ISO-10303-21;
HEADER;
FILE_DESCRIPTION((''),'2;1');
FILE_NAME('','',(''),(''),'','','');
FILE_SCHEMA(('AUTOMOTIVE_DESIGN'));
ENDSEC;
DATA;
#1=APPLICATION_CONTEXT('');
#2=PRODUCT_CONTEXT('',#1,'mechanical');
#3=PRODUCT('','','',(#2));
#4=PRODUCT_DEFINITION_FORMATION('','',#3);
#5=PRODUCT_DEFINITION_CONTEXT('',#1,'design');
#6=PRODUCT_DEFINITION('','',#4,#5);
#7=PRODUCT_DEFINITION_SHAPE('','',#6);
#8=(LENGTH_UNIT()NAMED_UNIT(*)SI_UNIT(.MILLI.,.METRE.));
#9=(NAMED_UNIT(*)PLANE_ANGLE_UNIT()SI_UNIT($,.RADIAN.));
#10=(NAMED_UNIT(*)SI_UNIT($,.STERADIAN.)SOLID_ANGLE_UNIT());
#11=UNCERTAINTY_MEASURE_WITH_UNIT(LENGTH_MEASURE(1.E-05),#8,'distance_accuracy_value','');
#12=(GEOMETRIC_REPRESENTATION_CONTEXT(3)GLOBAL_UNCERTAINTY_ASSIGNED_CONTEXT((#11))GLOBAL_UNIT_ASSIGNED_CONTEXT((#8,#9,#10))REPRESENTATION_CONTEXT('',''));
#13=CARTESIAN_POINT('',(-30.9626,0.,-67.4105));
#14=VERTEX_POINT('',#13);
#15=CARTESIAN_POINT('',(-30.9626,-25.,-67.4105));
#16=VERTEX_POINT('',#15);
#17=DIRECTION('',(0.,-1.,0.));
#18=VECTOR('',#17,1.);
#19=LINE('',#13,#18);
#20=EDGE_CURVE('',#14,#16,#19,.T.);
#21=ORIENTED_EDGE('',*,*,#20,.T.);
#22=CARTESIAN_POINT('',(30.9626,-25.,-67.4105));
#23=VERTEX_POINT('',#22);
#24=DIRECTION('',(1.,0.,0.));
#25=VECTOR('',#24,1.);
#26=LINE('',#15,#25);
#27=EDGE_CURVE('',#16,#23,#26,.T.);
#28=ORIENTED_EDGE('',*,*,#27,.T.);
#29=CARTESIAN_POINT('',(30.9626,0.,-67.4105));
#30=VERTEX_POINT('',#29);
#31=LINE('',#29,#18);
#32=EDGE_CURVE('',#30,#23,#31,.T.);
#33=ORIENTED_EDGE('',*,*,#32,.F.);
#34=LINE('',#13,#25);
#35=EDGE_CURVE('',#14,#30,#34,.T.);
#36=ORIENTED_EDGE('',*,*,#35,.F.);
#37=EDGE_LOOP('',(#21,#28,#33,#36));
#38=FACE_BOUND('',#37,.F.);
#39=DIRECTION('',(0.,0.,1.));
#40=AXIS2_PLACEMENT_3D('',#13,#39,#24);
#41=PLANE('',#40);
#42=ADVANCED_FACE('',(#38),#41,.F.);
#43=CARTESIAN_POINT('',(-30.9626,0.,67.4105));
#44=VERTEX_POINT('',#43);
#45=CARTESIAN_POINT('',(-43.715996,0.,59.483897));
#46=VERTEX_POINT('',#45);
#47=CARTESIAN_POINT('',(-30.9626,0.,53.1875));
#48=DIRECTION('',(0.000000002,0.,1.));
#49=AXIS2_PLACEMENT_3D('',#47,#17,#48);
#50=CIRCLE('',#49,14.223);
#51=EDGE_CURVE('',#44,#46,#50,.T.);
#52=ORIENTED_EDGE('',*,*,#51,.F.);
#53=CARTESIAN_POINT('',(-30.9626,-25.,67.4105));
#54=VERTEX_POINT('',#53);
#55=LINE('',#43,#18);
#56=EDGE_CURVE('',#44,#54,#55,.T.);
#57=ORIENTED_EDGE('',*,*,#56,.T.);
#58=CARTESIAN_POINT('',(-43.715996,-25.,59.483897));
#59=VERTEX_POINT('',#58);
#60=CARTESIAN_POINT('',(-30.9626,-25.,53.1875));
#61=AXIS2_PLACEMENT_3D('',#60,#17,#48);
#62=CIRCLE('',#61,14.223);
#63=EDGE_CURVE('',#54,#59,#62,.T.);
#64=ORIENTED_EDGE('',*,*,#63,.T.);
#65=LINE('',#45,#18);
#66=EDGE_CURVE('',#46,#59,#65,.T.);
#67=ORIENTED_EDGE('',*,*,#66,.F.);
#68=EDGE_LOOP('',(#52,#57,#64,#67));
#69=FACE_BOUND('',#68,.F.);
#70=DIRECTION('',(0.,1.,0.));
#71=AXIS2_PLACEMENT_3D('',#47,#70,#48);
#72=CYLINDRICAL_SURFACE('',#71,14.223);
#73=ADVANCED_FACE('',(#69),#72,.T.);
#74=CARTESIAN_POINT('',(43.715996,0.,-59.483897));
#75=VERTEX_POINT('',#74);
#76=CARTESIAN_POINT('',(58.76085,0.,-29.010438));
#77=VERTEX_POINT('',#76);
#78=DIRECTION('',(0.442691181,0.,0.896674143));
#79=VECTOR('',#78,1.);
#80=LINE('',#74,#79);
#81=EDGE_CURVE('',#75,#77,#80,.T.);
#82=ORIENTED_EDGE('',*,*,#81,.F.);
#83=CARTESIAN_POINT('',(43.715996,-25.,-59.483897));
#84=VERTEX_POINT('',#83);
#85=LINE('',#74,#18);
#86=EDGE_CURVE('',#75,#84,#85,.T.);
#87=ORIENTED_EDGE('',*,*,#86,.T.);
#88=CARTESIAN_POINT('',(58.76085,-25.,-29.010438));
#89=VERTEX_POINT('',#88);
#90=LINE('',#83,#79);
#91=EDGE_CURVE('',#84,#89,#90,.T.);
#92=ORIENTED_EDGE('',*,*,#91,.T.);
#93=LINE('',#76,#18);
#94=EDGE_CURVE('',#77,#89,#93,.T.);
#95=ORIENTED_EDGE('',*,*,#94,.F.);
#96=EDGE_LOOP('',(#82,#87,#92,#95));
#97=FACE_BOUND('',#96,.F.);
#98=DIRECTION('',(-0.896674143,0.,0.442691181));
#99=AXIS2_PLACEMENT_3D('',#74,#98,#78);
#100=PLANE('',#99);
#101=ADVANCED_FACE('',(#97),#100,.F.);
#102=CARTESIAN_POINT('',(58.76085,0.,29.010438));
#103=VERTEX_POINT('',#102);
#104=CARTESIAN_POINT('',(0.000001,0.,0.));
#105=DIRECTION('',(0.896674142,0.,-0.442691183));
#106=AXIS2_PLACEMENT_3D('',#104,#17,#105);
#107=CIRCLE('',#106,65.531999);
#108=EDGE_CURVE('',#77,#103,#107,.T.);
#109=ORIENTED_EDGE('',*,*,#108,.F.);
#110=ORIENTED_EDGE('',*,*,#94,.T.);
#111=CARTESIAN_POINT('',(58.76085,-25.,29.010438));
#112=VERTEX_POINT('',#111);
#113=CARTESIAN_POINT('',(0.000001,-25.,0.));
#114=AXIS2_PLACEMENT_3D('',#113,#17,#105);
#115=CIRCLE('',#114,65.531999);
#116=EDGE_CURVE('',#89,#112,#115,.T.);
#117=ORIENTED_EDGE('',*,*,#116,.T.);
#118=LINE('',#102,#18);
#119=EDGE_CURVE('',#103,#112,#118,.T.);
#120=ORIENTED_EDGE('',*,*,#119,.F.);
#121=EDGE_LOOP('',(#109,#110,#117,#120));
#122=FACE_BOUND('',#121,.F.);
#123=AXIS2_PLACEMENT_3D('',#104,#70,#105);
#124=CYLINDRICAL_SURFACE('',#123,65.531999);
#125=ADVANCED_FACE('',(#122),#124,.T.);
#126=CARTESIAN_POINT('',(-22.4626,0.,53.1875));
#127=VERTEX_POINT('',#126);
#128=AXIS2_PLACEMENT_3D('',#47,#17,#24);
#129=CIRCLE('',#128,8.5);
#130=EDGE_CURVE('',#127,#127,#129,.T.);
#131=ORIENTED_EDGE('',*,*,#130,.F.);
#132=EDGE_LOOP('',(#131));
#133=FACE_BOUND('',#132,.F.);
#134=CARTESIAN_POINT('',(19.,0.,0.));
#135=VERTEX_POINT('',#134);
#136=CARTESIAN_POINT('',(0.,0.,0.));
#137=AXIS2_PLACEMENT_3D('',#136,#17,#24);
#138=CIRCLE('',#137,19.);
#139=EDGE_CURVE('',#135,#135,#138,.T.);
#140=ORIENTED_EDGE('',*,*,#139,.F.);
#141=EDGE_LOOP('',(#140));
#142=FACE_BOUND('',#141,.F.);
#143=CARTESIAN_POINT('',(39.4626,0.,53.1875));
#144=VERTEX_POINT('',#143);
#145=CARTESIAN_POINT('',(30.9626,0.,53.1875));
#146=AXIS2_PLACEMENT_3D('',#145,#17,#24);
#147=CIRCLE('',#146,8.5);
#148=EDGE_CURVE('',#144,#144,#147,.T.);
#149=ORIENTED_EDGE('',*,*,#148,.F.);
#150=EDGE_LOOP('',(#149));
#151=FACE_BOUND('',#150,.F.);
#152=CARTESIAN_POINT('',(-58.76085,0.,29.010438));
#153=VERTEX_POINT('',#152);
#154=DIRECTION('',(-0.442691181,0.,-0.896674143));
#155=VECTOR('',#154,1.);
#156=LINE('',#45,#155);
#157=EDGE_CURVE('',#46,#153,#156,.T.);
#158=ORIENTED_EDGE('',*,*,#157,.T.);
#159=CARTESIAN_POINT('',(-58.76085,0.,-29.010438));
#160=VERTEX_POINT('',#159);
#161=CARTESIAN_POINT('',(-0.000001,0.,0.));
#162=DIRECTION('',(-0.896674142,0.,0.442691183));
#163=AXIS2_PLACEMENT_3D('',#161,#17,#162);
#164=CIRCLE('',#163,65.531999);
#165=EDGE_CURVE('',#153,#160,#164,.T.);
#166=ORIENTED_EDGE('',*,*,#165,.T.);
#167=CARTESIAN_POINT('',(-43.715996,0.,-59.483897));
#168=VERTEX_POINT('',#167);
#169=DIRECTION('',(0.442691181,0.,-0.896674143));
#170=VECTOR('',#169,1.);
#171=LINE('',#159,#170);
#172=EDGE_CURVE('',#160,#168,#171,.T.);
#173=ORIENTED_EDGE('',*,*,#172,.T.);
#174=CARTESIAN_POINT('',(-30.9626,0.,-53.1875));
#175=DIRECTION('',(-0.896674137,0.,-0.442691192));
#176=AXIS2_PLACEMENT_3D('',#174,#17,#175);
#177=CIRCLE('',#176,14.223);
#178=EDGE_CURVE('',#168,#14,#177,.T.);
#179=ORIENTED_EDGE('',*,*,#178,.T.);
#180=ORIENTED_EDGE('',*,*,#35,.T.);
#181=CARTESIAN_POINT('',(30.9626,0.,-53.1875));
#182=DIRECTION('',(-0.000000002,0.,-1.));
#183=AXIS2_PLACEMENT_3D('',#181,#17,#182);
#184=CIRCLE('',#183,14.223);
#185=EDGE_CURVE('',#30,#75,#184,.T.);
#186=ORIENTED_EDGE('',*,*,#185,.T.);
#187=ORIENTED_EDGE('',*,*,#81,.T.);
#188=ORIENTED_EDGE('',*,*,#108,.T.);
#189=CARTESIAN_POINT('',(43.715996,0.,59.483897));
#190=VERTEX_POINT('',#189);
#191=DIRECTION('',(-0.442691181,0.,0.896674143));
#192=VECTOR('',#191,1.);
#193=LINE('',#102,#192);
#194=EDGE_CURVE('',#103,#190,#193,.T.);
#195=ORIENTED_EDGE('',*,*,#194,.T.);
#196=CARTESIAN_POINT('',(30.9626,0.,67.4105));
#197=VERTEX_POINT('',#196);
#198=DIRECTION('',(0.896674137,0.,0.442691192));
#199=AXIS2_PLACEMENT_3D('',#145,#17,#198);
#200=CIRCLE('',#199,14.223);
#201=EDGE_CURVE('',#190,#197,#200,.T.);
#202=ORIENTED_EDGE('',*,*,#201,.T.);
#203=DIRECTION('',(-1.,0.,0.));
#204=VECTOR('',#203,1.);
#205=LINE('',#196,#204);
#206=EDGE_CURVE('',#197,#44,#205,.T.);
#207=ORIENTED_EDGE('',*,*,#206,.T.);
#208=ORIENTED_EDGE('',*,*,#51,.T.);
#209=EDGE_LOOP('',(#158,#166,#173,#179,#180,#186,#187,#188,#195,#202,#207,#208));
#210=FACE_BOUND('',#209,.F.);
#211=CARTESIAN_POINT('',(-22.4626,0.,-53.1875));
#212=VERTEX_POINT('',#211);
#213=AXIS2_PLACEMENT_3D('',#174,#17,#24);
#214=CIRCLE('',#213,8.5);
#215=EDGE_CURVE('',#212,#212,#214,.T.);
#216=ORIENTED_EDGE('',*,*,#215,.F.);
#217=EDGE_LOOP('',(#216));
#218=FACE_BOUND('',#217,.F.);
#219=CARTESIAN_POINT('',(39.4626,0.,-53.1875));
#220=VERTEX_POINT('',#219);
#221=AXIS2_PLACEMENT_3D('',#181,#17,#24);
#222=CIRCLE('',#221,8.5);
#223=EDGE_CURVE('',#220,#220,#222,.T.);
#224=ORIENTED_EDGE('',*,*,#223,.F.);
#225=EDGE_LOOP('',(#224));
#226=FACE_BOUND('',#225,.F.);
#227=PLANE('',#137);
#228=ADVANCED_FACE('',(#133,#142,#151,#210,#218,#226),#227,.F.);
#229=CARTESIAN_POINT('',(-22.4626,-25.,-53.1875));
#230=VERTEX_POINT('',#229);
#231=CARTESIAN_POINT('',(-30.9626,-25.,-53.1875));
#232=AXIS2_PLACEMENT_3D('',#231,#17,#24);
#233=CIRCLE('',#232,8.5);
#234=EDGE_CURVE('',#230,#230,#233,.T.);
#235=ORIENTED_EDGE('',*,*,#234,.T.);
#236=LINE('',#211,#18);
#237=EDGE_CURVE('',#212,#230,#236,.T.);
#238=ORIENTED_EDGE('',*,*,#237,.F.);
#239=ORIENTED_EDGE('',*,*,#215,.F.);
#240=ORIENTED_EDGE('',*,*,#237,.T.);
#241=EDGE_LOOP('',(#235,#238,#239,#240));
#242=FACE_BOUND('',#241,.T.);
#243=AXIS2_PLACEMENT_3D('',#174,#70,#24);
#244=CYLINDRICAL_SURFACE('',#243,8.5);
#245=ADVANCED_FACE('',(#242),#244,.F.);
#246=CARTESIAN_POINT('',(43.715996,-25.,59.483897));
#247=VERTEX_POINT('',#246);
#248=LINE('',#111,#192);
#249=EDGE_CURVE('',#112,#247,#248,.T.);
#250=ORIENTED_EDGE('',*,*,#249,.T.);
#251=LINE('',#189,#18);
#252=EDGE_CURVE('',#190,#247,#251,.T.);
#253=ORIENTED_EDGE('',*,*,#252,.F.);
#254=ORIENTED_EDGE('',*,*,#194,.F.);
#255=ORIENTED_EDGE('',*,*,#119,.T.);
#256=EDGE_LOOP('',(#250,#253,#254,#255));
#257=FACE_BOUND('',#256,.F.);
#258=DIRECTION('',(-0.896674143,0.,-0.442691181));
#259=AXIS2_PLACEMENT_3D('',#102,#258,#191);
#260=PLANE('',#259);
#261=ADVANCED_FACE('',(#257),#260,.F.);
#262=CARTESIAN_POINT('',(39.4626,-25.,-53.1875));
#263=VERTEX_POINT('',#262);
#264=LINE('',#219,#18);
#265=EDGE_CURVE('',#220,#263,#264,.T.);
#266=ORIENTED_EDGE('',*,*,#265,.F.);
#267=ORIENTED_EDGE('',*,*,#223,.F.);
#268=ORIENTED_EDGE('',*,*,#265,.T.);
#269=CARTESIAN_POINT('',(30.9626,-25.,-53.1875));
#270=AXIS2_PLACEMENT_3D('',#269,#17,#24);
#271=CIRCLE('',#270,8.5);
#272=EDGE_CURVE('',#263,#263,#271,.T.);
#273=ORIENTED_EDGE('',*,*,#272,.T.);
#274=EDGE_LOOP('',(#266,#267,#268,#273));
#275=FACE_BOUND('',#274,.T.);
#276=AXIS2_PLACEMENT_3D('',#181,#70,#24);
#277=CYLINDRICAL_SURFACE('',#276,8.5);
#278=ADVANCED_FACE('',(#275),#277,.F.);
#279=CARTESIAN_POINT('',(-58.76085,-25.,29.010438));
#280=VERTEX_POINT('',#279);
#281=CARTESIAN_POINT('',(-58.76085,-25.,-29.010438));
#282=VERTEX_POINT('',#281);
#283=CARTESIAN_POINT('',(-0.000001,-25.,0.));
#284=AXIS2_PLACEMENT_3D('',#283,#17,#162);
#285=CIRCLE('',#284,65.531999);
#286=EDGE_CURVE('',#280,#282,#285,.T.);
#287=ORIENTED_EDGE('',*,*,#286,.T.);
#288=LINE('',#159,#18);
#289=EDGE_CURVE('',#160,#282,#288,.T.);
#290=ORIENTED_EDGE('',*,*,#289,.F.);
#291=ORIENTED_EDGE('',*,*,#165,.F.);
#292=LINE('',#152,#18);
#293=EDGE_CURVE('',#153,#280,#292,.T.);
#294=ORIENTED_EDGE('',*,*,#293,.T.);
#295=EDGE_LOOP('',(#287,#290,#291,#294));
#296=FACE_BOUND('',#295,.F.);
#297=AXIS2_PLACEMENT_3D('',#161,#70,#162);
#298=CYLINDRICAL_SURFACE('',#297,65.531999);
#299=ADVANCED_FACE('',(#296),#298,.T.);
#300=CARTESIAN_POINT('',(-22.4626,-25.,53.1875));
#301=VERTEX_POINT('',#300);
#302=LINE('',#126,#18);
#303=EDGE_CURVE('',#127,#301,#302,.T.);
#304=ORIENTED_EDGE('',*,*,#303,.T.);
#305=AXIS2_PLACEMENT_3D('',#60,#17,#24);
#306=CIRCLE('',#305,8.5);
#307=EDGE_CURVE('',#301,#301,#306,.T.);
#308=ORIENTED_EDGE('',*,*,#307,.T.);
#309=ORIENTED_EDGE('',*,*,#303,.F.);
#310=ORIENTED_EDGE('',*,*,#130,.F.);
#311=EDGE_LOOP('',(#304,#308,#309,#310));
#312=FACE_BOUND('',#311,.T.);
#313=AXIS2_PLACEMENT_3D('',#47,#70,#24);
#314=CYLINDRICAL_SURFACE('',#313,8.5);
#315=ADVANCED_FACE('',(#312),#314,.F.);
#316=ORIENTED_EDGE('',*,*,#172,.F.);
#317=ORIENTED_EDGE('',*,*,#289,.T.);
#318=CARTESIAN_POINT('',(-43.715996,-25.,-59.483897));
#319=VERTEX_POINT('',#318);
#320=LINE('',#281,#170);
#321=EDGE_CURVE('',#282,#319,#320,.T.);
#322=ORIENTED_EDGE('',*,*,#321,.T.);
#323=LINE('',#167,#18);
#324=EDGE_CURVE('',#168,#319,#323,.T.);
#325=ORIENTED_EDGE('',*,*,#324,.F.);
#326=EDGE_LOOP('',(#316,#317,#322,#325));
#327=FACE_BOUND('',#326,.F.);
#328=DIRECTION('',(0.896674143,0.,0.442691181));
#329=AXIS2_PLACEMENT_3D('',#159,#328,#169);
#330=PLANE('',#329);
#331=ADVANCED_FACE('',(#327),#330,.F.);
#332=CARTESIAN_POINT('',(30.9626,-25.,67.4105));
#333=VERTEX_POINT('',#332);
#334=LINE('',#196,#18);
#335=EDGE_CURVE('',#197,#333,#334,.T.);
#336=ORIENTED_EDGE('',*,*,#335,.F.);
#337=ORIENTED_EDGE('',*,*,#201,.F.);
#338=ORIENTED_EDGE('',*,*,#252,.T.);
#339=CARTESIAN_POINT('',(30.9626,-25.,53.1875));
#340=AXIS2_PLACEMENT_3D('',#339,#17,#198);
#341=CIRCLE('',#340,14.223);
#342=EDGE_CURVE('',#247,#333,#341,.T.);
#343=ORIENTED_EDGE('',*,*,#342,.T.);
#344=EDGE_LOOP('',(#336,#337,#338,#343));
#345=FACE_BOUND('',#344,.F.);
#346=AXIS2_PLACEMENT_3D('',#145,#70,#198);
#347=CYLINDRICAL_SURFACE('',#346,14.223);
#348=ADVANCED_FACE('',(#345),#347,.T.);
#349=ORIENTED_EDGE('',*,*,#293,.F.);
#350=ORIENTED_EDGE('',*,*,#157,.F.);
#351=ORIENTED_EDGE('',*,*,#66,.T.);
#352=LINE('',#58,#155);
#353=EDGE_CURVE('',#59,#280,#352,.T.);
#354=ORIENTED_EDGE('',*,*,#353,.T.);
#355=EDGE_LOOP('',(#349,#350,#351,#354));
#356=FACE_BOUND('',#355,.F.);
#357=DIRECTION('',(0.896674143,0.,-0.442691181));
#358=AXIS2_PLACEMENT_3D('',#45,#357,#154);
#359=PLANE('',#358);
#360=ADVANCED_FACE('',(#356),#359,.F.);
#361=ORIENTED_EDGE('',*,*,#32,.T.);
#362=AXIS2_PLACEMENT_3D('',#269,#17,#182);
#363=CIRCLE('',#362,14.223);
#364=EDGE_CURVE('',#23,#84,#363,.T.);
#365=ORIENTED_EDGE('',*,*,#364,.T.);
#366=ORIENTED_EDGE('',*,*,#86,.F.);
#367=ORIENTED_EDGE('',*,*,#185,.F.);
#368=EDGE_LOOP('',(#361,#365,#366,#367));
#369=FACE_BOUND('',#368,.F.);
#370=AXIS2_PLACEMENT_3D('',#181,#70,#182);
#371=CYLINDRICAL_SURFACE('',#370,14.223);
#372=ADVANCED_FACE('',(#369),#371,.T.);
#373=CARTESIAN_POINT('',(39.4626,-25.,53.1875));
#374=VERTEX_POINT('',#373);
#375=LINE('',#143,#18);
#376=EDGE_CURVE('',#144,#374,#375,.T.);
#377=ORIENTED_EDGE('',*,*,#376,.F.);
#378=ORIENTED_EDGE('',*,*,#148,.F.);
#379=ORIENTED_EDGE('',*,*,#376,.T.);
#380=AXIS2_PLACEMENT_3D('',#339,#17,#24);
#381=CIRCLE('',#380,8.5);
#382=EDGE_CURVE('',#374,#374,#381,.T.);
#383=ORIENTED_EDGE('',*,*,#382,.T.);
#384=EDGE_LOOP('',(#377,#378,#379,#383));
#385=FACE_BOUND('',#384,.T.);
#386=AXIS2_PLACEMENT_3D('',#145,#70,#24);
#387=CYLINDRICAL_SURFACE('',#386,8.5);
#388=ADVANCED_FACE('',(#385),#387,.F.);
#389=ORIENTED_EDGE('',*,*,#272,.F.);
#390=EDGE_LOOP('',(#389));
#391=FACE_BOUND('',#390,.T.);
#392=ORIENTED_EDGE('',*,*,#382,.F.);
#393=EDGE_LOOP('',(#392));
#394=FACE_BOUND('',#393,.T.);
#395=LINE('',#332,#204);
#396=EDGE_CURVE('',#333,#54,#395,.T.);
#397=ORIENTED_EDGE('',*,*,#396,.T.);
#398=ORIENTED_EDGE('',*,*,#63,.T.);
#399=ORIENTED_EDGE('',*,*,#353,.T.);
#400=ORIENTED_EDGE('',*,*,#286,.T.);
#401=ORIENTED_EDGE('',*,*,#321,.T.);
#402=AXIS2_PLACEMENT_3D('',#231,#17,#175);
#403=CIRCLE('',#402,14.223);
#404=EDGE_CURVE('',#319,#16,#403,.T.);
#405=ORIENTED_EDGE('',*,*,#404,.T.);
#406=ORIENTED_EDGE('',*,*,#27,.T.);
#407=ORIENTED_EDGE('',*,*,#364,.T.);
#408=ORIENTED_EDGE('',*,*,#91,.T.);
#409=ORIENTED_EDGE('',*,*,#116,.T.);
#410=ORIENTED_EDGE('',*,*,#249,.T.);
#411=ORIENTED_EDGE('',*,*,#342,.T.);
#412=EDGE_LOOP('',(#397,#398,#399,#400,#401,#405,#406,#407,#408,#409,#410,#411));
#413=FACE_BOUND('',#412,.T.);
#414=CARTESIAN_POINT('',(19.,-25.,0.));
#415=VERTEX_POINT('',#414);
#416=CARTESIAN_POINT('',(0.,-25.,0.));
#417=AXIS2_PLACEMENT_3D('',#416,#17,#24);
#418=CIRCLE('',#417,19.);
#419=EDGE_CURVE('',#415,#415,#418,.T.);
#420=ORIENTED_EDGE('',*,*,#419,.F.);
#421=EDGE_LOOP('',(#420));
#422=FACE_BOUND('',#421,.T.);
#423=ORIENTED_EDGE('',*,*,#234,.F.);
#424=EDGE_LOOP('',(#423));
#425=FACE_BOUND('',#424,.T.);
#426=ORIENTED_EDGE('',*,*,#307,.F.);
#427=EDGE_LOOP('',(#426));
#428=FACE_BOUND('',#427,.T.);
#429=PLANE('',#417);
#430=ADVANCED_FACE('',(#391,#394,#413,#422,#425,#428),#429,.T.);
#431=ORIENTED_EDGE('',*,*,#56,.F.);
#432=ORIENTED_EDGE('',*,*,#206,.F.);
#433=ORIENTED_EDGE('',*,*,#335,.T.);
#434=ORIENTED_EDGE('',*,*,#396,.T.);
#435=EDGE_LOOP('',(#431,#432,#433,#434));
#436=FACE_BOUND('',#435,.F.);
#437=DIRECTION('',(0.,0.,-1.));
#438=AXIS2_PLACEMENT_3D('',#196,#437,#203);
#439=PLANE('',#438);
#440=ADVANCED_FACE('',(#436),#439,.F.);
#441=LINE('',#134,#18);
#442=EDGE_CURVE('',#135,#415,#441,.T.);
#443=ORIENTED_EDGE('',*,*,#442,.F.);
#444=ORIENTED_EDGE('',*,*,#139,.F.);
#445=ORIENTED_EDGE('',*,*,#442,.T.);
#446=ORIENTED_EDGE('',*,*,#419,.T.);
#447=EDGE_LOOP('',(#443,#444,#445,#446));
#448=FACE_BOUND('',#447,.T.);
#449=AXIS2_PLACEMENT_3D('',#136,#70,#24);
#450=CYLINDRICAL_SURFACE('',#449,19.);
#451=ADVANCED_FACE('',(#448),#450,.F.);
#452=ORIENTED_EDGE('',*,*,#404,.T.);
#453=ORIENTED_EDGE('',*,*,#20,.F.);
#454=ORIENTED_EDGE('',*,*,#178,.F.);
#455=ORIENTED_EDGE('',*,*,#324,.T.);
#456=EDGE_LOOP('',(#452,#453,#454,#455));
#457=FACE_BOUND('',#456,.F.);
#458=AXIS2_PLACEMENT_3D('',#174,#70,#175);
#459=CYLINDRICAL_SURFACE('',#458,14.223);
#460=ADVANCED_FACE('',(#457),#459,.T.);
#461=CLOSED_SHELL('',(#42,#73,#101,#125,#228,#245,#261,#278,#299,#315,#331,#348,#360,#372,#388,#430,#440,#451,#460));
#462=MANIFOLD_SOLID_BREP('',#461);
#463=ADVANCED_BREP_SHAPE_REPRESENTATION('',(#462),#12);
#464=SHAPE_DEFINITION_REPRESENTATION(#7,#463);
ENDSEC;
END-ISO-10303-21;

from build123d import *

# Parameters (mm, degrees)
F0_R     = 8.5
F0_R_2   = 19
F1_DEPTH = 25


with BuildPart() as f1:
    # F0 (on Front) → F1 (new body)
    with BuildSketch(Plane.XZ):
        with BuildLine():
            Line((-43.715996, 59.483897), (-58.76085, 29.010438))
            ThreePointArc((-58.76085, 29.010438), (-65.532, 0), (-58.76085, -29.010438))
            Line((-58.76085, -29.010438), (-43.715996, -59.483897))
            ThreePointArc((-43.715996, -59.483897), (-38.470598, -65.267388), (-30.9626, -67.4105))
            Line((-30.9626, -67.4105), (30.9626, -67.4105))
            ThreePointArc((30.9626, -67.4105), (38.470598, -65.267388), (43.715996, -59.483897))
            Line((43.715996, -59.483897), (58.76085, -29.010438))
            ThreePointArc((58.76085, -29.010438), (65.532, 0), (58.76085, 29.010438))
            Line((58.76085, 29.010438), (43.715996, 59.483897))
            ThreePointArc((43.715996, 59.483897), (38.470598, 65.267388), (30.9626, 67.4105))
            Line((30.9626, 67.4105), (-30.9626, 67.4105))
            ThreePointArc((-30.9626, 67.4105), (-38.470598, 65.267388), (-43.715996, 59.483897))
        make_face()
        with Locations((-30.9626, -53.1875)):
            Circle(F0_R, mode=Mode.SUBTRACT)
        with Locations((30.9626, -53.1875)):
            Circle(F0_R, mode=Mode.SUBTRACT)
        Circle(F0_R_2, mode=Mode.SUBTRACT)
        with Locations((-30.9626, 53.1875)):
            Circle(F0_R, mode=Mode.SUBTRACT)
        with Locations((30.9626, 53.1875)):
            Circle(F0_R, mode=Mode.SUBTRACT)
    extrude(amount=F1_DEPTH)


solid = f1.part
